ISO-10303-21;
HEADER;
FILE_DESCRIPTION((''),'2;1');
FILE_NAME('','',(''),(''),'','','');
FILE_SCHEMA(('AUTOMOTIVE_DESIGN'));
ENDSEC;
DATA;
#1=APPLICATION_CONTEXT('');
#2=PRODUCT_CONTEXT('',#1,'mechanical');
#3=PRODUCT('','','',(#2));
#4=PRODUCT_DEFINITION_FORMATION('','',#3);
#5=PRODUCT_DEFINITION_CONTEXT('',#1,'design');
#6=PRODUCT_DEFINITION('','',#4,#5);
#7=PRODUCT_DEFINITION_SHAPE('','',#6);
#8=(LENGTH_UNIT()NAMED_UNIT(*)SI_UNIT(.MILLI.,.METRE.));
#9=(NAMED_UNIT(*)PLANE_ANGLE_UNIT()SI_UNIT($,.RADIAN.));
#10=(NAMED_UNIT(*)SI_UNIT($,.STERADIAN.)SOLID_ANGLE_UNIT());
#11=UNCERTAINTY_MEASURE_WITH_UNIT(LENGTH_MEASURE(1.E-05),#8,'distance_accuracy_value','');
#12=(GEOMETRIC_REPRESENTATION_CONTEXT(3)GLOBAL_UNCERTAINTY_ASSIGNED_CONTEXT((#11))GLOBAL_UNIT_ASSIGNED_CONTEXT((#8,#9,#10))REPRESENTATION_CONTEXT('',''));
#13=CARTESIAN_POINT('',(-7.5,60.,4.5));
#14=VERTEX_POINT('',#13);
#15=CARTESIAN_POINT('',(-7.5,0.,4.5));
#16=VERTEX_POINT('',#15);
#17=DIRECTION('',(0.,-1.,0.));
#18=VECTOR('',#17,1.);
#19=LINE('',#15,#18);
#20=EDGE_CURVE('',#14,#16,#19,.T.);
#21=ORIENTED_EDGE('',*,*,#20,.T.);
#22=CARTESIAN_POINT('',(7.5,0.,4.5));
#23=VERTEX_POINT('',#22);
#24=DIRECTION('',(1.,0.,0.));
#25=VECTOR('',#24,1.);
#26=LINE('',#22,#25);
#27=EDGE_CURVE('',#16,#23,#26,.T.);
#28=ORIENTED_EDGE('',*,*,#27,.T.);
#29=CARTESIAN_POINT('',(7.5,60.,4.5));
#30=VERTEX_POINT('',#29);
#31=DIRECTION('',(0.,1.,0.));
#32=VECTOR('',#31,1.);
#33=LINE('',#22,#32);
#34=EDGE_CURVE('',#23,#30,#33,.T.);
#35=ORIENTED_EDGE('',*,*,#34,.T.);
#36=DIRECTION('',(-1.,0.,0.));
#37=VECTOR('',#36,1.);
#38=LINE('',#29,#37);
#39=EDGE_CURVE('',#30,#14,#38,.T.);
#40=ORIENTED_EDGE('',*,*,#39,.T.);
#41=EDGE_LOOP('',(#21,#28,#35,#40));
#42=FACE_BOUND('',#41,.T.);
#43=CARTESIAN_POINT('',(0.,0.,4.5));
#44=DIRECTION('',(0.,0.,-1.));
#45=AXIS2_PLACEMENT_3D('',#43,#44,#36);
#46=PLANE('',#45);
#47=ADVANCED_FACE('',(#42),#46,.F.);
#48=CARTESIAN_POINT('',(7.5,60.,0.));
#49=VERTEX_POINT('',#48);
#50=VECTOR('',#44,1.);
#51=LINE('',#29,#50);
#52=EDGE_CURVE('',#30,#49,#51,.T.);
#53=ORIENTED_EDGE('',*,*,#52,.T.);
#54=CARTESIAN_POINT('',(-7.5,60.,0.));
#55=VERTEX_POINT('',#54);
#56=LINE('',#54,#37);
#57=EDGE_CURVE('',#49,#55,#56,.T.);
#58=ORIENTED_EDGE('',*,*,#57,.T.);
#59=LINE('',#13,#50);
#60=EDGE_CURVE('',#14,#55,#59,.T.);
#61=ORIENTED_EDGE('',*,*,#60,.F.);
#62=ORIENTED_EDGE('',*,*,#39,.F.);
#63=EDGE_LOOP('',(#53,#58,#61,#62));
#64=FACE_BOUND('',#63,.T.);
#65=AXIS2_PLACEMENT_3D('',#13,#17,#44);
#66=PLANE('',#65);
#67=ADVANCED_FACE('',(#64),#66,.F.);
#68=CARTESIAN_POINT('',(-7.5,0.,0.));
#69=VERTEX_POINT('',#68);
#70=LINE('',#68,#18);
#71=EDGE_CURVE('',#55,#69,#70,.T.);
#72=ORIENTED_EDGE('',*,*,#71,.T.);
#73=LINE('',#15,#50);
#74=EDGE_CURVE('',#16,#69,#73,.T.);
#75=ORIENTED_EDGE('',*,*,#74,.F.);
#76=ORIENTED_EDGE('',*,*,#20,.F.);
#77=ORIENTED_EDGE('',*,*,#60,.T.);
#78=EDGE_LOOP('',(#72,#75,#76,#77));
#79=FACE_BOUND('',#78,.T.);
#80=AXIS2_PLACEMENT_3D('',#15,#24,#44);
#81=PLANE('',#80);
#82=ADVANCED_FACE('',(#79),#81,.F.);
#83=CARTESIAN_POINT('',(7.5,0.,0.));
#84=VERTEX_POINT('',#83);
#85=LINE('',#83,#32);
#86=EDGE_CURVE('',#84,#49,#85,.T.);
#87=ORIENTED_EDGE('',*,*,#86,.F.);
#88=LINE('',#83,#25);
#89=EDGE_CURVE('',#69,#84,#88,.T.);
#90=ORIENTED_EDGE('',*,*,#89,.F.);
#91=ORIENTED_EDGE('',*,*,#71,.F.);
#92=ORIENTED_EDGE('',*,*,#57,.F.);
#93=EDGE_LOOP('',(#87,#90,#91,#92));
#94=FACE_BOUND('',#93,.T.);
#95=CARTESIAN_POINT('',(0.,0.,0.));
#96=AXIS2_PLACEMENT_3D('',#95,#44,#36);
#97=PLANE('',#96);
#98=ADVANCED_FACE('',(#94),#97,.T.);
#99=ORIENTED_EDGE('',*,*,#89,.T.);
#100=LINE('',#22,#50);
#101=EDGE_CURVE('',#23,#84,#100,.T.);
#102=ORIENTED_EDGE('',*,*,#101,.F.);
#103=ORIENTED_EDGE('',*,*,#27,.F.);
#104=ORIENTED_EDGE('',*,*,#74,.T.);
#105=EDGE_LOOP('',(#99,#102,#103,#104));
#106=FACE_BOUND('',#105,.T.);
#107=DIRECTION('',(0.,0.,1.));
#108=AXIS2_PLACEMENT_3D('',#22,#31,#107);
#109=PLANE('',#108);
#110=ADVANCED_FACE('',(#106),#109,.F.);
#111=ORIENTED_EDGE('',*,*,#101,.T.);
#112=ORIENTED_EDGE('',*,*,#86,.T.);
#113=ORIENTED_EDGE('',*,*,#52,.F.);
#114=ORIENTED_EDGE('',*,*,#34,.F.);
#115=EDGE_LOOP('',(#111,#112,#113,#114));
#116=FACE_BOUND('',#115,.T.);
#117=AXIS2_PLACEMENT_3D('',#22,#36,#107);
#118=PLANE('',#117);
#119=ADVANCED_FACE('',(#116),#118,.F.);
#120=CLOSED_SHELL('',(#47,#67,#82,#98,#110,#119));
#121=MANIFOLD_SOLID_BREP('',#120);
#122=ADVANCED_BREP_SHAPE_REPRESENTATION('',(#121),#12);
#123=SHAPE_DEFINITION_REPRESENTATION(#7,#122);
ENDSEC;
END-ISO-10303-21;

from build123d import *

# Parameters (mm, degrees)
BOSS_EXTRUDE1_DEPTH = 4.5


with BuildPart() as part:
    # Sketch1 → Boss-Extrude1 (new body)
    with BuildSketch(Plane.XY):
        Polygon((7.5, 0), (-7.5, 0), (-7.5, 60), (0, 60), (7.5, 60), align=None)
    extrude(amount=BOSS_EXTRUDE1_DEPTH)


solid = part.part
